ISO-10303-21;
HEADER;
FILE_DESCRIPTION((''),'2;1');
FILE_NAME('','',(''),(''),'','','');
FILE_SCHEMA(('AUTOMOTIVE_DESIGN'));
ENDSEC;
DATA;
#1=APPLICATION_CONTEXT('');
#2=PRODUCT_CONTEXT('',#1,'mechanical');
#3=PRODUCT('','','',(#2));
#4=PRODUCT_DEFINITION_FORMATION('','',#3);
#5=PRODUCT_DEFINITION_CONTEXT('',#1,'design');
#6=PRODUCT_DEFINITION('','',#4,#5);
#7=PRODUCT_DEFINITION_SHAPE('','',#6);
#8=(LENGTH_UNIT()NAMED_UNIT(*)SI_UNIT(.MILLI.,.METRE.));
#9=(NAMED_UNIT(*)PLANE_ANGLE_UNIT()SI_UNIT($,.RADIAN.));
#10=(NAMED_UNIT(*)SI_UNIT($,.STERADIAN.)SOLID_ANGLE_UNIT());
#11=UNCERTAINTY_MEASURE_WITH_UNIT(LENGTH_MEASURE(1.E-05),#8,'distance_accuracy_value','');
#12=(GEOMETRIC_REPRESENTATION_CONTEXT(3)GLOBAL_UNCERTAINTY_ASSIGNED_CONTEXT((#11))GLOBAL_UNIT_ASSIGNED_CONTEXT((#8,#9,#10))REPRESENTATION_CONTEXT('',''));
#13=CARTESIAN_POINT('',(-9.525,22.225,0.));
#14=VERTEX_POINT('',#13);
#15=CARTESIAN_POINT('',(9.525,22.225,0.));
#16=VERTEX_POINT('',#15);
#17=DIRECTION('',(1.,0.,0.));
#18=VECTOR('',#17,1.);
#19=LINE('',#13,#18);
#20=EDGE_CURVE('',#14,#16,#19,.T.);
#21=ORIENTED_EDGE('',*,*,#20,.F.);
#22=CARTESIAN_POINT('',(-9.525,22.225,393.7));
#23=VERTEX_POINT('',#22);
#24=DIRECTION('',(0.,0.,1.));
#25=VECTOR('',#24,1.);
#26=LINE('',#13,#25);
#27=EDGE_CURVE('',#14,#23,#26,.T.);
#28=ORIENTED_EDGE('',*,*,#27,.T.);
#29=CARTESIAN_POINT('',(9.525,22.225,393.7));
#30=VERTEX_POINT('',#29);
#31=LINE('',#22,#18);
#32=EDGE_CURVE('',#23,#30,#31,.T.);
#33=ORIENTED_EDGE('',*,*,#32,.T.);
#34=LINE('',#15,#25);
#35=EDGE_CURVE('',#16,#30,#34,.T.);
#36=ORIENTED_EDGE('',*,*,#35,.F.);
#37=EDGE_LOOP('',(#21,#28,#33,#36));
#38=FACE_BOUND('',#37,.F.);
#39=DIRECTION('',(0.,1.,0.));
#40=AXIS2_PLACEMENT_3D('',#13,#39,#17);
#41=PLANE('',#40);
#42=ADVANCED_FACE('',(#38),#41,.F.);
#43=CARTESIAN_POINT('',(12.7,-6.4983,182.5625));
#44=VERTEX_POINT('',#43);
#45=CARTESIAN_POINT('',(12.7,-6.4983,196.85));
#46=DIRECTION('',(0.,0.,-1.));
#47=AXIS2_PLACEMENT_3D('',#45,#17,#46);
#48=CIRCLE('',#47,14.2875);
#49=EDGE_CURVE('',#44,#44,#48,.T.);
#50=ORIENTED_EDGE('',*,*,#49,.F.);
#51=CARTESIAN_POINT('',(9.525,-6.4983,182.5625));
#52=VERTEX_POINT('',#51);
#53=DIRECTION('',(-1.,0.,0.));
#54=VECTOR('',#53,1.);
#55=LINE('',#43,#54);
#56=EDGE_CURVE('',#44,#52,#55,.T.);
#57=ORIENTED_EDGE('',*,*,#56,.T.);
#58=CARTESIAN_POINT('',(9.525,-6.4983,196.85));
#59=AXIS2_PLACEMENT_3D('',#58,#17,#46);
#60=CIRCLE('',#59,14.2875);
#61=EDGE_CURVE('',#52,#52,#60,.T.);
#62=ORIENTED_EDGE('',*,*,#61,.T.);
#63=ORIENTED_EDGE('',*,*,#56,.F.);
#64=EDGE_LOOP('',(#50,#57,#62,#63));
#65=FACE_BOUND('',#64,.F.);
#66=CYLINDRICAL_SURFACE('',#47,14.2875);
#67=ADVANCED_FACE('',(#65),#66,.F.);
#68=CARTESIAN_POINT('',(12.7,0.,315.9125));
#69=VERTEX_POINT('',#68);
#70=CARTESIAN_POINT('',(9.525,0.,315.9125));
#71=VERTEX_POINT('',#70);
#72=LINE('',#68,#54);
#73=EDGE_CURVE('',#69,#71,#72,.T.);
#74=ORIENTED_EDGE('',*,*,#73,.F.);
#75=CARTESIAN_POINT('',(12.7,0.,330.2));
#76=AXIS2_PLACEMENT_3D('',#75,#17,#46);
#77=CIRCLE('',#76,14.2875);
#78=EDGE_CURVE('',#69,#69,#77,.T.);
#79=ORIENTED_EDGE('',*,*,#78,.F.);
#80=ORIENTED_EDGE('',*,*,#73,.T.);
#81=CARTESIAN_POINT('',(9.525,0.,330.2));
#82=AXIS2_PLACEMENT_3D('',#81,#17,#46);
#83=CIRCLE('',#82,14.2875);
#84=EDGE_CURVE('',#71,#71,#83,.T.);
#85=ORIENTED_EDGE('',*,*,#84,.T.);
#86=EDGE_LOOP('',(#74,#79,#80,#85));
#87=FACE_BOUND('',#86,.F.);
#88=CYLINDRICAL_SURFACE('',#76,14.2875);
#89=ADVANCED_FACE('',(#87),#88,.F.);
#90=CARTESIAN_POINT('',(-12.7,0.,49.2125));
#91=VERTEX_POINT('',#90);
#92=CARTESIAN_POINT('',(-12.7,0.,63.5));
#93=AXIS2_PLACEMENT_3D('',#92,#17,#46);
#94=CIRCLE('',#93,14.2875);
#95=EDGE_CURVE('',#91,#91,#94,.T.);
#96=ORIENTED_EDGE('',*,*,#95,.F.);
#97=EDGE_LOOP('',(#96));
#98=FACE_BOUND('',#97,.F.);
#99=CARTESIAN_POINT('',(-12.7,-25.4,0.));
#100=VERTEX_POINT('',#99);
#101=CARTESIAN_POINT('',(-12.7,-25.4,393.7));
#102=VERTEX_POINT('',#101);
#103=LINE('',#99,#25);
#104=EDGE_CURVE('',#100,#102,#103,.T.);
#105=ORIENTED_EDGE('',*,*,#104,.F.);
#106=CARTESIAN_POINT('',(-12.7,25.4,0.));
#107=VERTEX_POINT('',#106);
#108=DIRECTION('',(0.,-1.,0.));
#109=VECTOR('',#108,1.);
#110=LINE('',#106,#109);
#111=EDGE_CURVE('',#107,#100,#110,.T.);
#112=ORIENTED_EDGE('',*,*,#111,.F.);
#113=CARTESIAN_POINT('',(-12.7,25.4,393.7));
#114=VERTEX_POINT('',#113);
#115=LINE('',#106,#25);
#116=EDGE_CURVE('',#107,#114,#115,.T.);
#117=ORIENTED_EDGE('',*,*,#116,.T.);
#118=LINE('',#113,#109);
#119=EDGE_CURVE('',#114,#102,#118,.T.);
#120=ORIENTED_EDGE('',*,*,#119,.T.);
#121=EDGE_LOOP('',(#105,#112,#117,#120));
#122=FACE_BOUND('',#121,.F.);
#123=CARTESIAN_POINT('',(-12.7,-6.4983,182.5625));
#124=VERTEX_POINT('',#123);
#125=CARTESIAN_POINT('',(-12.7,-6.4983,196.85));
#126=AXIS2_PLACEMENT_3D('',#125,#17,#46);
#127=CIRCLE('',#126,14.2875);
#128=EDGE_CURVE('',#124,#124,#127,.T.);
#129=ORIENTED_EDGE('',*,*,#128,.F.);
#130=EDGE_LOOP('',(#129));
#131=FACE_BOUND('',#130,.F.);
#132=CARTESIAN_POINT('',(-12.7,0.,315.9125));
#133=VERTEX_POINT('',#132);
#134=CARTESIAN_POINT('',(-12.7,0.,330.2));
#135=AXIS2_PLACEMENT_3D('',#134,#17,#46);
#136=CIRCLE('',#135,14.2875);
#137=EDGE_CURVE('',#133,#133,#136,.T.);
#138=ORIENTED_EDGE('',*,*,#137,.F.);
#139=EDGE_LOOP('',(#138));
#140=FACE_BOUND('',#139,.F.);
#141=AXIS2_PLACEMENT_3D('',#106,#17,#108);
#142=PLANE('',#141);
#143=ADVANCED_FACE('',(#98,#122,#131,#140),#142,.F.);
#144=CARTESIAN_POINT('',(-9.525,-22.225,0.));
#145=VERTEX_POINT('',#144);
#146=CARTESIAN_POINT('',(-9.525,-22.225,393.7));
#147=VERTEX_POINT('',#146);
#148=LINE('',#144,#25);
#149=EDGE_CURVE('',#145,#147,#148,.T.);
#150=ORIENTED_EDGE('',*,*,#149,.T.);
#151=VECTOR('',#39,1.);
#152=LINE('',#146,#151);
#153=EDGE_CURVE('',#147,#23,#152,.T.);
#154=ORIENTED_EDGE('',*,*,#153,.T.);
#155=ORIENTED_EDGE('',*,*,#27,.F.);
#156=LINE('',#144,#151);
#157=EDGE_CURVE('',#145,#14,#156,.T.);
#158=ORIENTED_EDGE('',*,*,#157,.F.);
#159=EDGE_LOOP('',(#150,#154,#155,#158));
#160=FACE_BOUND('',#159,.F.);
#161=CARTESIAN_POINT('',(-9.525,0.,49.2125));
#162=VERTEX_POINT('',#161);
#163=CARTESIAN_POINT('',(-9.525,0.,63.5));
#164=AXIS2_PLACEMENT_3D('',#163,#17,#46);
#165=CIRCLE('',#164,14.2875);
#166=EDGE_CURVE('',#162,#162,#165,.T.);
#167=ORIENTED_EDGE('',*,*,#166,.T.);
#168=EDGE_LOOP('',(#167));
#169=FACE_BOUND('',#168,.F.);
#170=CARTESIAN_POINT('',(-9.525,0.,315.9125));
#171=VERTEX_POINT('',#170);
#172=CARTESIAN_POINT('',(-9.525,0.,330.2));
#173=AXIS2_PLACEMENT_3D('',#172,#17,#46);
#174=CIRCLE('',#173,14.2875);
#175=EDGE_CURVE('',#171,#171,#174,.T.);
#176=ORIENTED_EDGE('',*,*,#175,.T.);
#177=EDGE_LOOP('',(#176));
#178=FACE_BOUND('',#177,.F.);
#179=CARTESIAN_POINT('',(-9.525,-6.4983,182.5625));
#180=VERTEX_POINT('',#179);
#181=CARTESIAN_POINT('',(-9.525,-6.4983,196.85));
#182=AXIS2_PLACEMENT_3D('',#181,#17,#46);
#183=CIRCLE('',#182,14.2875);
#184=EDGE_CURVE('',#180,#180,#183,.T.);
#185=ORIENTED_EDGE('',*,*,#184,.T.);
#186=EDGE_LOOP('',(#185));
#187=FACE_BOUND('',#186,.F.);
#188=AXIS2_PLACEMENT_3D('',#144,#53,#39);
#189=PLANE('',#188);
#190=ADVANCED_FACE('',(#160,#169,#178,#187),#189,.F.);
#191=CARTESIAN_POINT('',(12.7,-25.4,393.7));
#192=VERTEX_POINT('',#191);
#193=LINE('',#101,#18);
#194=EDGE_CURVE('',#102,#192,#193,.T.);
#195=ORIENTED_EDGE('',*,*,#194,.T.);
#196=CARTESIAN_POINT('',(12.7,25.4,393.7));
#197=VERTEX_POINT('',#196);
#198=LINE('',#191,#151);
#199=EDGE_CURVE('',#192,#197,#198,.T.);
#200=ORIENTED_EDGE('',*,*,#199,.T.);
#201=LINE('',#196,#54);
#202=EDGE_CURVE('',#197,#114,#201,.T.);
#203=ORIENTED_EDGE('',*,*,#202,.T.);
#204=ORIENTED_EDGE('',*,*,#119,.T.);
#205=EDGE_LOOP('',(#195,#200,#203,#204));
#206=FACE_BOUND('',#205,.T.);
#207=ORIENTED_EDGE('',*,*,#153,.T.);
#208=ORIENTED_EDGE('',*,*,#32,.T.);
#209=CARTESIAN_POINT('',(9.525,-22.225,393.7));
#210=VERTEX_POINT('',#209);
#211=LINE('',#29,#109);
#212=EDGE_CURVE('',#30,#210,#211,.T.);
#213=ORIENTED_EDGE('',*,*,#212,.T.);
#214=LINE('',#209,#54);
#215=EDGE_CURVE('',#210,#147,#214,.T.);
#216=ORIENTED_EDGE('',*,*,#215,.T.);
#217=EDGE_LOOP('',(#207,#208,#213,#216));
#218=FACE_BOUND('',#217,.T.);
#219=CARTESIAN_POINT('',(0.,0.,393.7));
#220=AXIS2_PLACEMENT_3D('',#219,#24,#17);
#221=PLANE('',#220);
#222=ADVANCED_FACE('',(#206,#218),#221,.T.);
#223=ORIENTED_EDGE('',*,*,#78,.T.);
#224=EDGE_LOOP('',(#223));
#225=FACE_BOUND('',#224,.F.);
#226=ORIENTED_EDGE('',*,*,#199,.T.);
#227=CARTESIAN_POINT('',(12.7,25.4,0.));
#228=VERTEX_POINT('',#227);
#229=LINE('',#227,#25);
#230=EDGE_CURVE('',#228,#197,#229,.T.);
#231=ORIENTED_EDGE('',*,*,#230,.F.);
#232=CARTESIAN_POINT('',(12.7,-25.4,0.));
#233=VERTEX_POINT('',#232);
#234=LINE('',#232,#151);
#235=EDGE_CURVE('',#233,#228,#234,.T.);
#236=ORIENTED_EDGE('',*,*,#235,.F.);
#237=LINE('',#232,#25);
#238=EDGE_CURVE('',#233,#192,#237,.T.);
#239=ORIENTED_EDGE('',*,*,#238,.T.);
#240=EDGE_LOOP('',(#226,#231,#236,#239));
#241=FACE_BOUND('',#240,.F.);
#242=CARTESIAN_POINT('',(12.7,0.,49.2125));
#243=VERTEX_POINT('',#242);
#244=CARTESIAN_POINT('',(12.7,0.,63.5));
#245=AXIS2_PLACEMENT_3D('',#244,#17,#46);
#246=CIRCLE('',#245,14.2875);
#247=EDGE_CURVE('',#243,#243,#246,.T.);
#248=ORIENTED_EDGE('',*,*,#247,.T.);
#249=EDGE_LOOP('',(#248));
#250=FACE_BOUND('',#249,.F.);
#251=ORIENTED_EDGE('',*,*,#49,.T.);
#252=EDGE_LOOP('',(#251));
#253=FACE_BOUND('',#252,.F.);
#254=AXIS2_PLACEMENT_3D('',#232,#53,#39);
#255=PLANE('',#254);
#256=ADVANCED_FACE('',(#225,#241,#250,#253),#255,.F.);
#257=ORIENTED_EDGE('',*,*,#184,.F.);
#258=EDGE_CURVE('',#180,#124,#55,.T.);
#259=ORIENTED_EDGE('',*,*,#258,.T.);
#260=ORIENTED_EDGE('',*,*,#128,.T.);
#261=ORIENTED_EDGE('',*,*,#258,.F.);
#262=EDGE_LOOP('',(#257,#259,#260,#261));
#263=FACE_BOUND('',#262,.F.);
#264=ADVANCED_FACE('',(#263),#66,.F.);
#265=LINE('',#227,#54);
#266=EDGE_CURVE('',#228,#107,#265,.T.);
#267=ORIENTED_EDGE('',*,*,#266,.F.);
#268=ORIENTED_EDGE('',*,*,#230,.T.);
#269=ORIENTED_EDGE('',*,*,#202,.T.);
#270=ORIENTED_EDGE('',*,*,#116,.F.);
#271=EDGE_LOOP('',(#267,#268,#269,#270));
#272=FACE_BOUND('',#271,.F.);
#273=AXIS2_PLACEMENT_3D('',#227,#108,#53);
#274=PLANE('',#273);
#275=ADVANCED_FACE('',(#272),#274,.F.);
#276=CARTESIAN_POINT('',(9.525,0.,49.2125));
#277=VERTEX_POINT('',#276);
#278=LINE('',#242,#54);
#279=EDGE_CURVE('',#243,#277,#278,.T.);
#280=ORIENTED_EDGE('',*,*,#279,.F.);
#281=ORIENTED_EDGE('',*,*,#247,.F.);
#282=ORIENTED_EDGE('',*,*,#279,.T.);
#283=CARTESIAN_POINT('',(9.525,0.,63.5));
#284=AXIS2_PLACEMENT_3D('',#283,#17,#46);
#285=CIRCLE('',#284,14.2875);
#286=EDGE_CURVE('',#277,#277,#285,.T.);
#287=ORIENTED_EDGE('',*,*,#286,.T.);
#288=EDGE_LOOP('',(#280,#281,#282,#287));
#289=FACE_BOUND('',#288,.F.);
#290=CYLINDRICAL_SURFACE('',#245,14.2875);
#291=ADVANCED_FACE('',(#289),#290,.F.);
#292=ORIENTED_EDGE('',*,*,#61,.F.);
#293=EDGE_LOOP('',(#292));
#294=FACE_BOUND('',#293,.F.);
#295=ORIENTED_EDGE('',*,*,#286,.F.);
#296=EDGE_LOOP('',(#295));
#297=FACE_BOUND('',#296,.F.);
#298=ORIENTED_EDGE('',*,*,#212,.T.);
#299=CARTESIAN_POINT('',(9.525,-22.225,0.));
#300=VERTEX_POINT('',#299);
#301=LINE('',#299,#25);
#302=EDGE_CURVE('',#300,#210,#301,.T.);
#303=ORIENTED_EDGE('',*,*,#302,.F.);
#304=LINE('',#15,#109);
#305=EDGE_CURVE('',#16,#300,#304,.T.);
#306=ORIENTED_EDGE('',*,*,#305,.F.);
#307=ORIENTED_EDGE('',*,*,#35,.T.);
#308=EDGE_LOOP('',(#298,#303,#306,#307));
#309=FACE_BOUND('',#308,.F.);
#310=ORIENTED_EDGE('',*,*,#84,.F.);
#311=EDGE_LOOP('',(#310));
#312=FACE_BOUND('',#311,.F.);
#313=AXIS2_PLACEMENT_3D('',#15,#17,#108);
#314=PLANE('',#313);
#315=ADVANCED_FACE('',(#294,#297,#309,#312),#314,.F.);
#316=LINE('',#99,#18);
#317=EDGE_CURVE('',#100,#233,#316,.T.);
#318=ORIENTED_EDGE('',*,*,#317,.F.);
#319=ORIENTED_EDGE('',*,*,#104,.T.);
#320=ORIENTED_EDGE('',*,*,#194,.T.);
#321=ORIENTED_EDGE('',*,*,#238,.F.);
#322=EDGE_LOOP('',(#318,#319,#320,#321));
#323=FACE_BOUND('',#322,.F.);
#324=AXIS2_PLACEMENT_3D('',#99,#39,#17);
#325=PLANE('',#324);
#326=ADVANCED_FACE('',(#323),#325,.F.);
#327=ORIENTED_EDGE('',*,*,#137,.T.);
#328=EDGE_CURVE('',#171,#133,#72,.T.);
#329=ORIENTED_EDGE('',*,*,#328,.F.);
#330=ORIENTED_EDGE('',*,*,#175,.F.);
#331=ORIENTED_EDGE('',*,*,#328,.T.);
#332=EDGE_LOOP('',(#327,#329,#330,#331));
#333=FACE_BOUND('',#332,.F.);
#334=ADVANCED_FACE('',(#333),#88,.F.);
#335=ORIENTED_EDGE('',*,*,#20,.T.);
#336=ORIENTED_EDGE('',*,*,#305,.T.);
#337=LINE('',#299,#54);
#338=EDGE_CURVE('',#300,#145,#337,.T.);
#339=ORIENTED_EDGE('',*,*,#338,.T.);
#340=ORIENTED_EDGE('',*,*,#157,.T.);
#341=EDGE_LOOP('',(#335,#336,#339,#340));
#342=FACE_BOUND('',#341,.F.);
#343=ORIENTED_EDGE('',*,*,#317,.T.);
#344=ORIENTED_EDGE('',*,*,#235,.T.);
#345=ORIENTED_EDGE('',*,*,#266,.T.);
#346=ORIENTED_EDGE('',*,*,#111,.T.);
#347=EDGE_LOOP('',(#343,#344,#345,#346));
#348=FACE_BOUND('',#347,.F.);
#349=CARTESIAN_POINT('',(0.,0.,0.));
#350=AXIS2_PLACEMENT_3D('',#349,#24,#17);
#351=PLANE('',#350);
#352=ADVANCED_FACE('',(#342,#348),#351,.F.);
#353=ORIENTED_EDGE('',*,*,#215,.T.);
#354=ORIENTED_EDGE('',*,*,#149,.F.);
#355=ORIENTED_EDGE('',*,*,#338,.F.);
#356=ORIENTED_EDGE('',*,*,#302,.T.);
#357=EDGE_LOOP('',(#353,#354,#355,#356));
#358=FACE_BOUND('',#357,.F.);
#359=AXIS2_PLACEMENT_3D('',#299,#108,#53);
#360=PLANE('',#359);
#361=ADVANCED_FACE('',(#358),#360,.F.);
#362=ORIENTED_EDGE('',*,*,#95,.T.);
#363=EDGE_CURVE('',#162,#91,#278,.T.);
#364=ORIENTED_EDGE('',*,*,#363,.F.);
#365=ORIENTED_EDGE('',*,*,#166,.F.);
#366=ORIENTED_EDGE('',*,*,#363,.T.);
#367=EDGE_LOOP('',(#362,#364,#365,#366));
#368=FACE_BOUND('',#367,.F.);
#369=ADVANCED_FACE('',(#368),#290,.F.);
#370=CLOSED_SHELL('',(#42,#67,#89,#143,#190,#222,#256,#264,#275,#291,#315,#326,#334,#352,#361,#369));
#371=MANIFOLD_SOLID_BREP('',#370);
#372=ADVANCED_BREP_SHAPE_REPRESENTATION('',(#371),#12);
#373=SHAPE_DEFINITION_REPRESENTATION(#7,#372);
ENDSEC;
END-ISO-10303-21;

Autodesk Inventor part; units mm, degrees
ref_plane "YZ Plane" through (0, 0, 0) normal (1, 0, 0) x (0, 1, 0)
ref_plane "XZ Plane" through (0, 0, 0) normal (0, 1, 0) x (-1, 0, 0)
ref_plane "XY Plane" through (0, 0, 0) normal (0, 0, 1) x (1, 0, 0)
sketch "Sketch1" plane through (0, 0, 0) normal (0, 0, 1) x (1, 0, 0)
  line L0 (9.525, 22.225) -> (9.525, -22.225)
  line L1 (9.525, -22.225) -> (-9.525, -22.225)
  line L2 (-9.525, -22.225) -> (-9.525, 22.225)
  line L3 (-9.525, 22.225) -> (9.525, 22.225)
  line L4 (12.7, 25.4) -> (-12.7, 25.4)
  line L5 (-12.7, 25.4) -> (-12.7, -25.4)
  line L6 (-12.7, -25.4) -> (12.7, -25.4)
  line L7 (12.7, -25.4) -> (12.7, 25.4)
  point P0 (0, 0)
  point P1 (0, 0)
extrude "Extrusion1" add sketch "Sketch1" along normal blind 393.7
sketch "Sketch2" plane through (12.7, -25.4, 0) normal (1, 0, 0) x (0, 0, -1)
  circle A0 centre (-196.85, 18.9017) radius 14.2875
  line L0 (-393.7, 0) -> (-393.7, 50.8) projected
  line L1 (0, 50.8) -> (0, 0) projected
  point P0 (0, 25.4)
  dimension "d2" = 28.575
  dimension "d22" = 196.85
extrude "Extrusion2" cut sketch "Sketch2" against normal blind 25.4
sketch "Sketch3" plane through (12.7, -25.4, 0) normal (1, 0, 0) x (0, 0, -1)
  circle A0 centre (-196.85, 18.9017) radius 14.2875 projected
  circle A1 centre (-330.2, 25.4) radius 14.2875
  circle A2 centre (-63.5, 25.4) radius 14.2875
  line L0 (-393.7, 0) -> (-393.7, 50.8) projected
  line L1 (0, 0) -> (0, 50.8) projected
  point P0 (0, 25.4)
  dimension "d10" = 28.575
  dimension "d13" = 28.575
  dimension "d17" = 6.4983
  dimension "d20" = 63.5
  dimension "d21" = 63.5
extrude "Extrusion3" cut sketch "Sketch3" against normal blind 25.4 contours A1 | A2
properties part number "side 1"
